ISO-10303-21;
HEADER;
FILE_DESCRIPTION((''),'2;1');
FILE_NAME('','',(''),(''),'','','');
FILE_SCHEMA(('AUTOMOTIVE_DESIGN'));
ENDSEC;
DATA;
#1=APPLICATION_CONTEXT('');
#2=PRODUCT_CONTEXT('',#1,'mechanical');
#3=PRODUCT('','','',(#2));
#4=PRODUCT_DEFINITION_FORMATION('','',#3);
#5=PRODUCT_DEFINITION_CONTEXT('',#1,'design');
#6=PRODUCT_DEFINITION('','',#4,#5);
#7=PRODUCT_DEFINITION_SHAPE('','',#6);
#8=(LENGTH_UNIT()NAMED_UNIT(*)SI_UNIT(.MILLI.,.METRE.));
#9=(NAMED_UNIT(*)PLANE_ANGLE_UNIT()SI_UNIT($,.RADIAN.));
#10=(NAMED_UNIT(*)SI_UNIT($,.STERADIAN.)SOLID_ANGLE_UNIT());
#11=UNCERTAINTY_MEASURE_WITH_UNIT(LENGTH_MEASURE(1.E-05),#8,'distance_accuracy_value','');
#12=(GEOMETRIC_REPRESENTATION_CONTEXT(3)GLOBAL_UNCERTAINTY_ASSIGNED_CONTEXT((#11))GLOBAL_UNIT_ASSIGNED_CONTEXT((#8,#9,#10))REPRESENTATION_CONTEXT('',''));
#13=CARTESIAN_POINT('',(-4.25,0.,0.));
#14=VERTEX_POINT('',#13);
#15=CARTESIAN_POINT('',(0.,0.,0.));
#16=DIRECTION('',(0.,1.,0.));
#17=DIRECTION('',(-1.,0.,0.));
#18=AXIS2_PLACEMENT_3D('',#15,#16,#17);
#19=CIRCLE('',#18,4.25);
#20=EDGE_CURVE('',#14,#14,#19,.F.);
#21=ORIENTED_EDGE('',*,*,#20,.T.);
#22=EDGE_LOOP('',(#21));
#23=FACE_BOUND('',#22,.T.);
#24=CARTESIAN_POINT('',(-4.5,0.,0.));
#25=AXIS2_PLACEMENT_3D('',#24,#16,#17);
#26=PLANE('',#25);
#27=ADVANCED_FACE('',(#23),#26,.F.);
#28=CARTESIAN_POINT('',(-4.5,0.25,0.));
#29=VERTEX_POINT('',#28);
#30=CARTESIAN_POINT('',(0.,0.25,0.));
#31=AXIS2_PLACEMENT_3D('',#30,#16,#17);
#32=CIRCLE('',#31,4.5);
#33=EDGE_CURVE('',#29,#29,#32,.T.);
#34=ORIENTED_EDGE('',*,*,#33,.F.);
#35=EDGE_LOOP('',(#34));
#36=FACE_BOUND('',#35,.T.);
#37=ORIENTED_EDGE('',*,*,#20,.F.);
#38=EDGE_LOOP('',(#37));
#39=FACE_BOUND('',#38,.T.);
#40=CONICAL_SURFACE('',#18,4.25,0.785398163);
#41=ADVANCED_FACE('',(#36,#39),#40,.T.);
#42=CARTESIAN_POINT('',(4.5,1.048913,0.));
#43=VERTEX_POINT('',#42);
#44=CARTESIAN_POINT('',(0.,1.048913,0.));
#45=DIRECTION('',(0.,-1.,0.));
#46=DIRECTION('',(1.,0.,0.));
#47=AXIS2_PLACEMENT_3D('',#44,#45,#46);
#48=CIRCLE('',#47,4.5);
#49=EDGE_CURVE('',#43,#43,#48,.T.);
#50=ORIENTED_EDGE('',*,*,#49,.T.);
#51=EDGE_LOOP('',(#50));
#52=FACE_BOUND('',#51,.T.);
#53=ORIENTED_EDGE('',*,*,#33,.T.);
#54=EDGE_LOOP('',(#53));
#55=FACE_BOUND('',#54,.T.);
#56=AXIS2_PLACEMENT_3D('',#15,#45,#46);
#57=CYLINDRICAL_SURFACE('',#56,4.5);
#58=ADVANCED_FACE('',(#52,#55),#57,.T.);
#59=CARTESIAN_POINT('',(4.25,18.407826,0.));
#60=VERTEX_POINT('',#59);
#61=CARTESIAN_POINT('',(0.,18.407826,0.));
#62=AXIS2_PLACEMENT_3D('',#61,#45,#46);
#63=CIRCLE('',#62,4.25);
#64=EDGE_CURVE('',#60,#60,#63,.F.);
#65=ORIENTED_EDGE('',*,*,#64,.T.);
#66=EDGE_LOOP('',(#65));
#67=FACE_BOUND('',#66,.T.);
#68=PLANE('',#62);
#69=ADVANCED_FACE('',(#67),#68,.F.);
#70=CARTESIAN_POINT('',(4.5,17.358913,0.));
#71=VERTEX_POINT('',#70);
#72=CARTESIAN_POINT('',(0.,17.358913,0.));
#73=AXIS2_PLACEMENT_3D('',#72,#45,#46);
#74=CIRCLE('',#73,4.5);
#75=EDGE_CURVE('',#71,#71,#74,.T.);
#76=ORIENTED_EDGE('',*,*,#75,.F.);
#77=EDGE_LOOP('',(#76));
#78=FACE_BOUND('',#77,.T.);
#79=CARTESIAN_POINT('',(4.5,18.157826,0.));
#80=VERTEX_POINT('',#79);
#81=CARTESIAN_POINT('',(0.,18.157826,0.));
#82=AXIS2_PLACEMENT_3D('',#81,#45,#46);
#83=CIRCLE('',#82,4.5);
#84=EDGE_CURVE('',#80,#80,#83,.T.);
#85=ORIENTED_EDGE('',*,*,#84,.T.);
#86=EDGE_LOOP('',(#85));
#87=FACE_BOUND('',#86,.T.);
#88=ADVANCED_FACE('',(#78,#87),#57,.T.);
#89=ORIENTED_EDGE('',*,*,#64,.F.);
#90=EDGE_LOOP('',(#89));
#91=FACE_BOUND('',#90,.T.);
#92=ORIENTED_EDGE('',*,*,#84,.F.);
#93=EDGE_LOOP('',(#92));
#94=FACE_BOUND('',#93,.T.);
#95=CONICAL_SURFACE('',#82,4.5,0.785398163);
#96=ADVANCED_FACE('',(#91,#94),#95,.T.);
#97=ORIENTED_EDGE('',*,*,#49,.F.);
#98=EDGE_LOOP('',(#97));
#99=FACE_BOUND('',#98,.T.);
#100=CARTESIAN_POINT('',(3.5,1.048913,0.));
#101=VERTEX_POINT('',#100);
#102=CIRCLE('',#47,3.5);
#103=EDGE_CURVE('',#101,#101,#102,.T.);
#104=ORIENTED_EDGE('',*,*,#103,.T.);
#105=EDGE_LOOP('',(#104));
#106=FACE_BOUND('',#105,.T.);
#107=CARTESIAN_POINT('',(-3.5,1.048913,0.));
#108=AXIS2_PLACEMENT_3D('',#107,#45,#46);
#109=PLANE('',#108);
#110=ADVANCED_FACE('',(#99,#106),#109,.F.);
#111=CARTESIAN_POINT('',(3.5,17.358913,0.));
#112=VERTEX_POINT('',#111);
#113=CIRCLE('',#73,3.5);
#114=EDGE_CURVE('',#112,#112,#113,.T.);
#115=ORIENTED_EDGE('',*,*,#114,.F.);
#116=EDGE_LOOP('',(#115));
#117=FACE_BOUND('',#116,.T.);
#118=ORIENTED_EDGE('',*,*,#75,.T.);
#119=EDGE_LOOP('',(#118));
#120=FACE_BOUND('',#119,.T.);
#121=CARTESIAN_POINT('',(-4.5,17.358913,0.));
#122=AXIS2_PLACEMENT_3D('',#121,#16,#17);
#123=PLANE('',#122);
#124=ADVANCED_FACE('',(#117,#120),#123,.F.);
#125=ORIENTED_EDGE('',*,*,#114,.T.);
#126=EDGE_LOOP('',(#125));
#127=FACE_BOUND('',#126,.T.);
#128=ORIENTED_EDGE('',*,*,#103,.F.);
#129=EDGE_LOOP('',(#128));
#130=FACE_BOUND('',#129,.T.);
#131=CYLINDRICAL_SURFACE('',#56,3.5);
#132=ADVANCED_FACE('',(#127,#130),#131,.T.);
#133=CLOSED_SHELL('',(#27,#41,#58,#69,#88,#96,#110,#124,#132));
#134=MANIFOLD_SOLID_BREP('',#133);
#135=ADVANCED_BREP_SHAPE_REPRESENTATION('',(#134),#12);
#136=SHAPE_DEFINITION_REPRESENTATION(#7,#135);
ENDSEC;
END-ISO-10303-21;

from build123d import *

# Parameters (mm, degrees)
CHAMFER1_SIZE = 0.25


with BuildPart() as part:
    # Sketch1 → Revolve1 (revolve)
    with BuildSketch(Plane.XY, mode=Mode.PRIVATE) as revolve1_sk:
        Polygon((0, 18.407826487), (-4.5, 18.407826487), (-4.5, 17.358913243), (-3.5, 17.358913243), (-3.5, 1.048913243), (-4.5, 1.048913243), (-4.5, 0), (0, 0), align=None)
    revolve(revolve1_sk.sketch.rotate(Axis((0, 0, 0), (0, 1, 0)), 180), axis=Axis((0, 0, 0), (0, 1, 0)))

    # Chamfer1
    chamfer1_edges = [part.edges().sort_by_distance(p)[0] for p in [
        (-4.5, 0, 0),
        (-4.5, 18.407826487, 0),
    ]]
    chamfer(chamfer1_edges, length=CHAMFER1_SIZE)


solid = part.part
